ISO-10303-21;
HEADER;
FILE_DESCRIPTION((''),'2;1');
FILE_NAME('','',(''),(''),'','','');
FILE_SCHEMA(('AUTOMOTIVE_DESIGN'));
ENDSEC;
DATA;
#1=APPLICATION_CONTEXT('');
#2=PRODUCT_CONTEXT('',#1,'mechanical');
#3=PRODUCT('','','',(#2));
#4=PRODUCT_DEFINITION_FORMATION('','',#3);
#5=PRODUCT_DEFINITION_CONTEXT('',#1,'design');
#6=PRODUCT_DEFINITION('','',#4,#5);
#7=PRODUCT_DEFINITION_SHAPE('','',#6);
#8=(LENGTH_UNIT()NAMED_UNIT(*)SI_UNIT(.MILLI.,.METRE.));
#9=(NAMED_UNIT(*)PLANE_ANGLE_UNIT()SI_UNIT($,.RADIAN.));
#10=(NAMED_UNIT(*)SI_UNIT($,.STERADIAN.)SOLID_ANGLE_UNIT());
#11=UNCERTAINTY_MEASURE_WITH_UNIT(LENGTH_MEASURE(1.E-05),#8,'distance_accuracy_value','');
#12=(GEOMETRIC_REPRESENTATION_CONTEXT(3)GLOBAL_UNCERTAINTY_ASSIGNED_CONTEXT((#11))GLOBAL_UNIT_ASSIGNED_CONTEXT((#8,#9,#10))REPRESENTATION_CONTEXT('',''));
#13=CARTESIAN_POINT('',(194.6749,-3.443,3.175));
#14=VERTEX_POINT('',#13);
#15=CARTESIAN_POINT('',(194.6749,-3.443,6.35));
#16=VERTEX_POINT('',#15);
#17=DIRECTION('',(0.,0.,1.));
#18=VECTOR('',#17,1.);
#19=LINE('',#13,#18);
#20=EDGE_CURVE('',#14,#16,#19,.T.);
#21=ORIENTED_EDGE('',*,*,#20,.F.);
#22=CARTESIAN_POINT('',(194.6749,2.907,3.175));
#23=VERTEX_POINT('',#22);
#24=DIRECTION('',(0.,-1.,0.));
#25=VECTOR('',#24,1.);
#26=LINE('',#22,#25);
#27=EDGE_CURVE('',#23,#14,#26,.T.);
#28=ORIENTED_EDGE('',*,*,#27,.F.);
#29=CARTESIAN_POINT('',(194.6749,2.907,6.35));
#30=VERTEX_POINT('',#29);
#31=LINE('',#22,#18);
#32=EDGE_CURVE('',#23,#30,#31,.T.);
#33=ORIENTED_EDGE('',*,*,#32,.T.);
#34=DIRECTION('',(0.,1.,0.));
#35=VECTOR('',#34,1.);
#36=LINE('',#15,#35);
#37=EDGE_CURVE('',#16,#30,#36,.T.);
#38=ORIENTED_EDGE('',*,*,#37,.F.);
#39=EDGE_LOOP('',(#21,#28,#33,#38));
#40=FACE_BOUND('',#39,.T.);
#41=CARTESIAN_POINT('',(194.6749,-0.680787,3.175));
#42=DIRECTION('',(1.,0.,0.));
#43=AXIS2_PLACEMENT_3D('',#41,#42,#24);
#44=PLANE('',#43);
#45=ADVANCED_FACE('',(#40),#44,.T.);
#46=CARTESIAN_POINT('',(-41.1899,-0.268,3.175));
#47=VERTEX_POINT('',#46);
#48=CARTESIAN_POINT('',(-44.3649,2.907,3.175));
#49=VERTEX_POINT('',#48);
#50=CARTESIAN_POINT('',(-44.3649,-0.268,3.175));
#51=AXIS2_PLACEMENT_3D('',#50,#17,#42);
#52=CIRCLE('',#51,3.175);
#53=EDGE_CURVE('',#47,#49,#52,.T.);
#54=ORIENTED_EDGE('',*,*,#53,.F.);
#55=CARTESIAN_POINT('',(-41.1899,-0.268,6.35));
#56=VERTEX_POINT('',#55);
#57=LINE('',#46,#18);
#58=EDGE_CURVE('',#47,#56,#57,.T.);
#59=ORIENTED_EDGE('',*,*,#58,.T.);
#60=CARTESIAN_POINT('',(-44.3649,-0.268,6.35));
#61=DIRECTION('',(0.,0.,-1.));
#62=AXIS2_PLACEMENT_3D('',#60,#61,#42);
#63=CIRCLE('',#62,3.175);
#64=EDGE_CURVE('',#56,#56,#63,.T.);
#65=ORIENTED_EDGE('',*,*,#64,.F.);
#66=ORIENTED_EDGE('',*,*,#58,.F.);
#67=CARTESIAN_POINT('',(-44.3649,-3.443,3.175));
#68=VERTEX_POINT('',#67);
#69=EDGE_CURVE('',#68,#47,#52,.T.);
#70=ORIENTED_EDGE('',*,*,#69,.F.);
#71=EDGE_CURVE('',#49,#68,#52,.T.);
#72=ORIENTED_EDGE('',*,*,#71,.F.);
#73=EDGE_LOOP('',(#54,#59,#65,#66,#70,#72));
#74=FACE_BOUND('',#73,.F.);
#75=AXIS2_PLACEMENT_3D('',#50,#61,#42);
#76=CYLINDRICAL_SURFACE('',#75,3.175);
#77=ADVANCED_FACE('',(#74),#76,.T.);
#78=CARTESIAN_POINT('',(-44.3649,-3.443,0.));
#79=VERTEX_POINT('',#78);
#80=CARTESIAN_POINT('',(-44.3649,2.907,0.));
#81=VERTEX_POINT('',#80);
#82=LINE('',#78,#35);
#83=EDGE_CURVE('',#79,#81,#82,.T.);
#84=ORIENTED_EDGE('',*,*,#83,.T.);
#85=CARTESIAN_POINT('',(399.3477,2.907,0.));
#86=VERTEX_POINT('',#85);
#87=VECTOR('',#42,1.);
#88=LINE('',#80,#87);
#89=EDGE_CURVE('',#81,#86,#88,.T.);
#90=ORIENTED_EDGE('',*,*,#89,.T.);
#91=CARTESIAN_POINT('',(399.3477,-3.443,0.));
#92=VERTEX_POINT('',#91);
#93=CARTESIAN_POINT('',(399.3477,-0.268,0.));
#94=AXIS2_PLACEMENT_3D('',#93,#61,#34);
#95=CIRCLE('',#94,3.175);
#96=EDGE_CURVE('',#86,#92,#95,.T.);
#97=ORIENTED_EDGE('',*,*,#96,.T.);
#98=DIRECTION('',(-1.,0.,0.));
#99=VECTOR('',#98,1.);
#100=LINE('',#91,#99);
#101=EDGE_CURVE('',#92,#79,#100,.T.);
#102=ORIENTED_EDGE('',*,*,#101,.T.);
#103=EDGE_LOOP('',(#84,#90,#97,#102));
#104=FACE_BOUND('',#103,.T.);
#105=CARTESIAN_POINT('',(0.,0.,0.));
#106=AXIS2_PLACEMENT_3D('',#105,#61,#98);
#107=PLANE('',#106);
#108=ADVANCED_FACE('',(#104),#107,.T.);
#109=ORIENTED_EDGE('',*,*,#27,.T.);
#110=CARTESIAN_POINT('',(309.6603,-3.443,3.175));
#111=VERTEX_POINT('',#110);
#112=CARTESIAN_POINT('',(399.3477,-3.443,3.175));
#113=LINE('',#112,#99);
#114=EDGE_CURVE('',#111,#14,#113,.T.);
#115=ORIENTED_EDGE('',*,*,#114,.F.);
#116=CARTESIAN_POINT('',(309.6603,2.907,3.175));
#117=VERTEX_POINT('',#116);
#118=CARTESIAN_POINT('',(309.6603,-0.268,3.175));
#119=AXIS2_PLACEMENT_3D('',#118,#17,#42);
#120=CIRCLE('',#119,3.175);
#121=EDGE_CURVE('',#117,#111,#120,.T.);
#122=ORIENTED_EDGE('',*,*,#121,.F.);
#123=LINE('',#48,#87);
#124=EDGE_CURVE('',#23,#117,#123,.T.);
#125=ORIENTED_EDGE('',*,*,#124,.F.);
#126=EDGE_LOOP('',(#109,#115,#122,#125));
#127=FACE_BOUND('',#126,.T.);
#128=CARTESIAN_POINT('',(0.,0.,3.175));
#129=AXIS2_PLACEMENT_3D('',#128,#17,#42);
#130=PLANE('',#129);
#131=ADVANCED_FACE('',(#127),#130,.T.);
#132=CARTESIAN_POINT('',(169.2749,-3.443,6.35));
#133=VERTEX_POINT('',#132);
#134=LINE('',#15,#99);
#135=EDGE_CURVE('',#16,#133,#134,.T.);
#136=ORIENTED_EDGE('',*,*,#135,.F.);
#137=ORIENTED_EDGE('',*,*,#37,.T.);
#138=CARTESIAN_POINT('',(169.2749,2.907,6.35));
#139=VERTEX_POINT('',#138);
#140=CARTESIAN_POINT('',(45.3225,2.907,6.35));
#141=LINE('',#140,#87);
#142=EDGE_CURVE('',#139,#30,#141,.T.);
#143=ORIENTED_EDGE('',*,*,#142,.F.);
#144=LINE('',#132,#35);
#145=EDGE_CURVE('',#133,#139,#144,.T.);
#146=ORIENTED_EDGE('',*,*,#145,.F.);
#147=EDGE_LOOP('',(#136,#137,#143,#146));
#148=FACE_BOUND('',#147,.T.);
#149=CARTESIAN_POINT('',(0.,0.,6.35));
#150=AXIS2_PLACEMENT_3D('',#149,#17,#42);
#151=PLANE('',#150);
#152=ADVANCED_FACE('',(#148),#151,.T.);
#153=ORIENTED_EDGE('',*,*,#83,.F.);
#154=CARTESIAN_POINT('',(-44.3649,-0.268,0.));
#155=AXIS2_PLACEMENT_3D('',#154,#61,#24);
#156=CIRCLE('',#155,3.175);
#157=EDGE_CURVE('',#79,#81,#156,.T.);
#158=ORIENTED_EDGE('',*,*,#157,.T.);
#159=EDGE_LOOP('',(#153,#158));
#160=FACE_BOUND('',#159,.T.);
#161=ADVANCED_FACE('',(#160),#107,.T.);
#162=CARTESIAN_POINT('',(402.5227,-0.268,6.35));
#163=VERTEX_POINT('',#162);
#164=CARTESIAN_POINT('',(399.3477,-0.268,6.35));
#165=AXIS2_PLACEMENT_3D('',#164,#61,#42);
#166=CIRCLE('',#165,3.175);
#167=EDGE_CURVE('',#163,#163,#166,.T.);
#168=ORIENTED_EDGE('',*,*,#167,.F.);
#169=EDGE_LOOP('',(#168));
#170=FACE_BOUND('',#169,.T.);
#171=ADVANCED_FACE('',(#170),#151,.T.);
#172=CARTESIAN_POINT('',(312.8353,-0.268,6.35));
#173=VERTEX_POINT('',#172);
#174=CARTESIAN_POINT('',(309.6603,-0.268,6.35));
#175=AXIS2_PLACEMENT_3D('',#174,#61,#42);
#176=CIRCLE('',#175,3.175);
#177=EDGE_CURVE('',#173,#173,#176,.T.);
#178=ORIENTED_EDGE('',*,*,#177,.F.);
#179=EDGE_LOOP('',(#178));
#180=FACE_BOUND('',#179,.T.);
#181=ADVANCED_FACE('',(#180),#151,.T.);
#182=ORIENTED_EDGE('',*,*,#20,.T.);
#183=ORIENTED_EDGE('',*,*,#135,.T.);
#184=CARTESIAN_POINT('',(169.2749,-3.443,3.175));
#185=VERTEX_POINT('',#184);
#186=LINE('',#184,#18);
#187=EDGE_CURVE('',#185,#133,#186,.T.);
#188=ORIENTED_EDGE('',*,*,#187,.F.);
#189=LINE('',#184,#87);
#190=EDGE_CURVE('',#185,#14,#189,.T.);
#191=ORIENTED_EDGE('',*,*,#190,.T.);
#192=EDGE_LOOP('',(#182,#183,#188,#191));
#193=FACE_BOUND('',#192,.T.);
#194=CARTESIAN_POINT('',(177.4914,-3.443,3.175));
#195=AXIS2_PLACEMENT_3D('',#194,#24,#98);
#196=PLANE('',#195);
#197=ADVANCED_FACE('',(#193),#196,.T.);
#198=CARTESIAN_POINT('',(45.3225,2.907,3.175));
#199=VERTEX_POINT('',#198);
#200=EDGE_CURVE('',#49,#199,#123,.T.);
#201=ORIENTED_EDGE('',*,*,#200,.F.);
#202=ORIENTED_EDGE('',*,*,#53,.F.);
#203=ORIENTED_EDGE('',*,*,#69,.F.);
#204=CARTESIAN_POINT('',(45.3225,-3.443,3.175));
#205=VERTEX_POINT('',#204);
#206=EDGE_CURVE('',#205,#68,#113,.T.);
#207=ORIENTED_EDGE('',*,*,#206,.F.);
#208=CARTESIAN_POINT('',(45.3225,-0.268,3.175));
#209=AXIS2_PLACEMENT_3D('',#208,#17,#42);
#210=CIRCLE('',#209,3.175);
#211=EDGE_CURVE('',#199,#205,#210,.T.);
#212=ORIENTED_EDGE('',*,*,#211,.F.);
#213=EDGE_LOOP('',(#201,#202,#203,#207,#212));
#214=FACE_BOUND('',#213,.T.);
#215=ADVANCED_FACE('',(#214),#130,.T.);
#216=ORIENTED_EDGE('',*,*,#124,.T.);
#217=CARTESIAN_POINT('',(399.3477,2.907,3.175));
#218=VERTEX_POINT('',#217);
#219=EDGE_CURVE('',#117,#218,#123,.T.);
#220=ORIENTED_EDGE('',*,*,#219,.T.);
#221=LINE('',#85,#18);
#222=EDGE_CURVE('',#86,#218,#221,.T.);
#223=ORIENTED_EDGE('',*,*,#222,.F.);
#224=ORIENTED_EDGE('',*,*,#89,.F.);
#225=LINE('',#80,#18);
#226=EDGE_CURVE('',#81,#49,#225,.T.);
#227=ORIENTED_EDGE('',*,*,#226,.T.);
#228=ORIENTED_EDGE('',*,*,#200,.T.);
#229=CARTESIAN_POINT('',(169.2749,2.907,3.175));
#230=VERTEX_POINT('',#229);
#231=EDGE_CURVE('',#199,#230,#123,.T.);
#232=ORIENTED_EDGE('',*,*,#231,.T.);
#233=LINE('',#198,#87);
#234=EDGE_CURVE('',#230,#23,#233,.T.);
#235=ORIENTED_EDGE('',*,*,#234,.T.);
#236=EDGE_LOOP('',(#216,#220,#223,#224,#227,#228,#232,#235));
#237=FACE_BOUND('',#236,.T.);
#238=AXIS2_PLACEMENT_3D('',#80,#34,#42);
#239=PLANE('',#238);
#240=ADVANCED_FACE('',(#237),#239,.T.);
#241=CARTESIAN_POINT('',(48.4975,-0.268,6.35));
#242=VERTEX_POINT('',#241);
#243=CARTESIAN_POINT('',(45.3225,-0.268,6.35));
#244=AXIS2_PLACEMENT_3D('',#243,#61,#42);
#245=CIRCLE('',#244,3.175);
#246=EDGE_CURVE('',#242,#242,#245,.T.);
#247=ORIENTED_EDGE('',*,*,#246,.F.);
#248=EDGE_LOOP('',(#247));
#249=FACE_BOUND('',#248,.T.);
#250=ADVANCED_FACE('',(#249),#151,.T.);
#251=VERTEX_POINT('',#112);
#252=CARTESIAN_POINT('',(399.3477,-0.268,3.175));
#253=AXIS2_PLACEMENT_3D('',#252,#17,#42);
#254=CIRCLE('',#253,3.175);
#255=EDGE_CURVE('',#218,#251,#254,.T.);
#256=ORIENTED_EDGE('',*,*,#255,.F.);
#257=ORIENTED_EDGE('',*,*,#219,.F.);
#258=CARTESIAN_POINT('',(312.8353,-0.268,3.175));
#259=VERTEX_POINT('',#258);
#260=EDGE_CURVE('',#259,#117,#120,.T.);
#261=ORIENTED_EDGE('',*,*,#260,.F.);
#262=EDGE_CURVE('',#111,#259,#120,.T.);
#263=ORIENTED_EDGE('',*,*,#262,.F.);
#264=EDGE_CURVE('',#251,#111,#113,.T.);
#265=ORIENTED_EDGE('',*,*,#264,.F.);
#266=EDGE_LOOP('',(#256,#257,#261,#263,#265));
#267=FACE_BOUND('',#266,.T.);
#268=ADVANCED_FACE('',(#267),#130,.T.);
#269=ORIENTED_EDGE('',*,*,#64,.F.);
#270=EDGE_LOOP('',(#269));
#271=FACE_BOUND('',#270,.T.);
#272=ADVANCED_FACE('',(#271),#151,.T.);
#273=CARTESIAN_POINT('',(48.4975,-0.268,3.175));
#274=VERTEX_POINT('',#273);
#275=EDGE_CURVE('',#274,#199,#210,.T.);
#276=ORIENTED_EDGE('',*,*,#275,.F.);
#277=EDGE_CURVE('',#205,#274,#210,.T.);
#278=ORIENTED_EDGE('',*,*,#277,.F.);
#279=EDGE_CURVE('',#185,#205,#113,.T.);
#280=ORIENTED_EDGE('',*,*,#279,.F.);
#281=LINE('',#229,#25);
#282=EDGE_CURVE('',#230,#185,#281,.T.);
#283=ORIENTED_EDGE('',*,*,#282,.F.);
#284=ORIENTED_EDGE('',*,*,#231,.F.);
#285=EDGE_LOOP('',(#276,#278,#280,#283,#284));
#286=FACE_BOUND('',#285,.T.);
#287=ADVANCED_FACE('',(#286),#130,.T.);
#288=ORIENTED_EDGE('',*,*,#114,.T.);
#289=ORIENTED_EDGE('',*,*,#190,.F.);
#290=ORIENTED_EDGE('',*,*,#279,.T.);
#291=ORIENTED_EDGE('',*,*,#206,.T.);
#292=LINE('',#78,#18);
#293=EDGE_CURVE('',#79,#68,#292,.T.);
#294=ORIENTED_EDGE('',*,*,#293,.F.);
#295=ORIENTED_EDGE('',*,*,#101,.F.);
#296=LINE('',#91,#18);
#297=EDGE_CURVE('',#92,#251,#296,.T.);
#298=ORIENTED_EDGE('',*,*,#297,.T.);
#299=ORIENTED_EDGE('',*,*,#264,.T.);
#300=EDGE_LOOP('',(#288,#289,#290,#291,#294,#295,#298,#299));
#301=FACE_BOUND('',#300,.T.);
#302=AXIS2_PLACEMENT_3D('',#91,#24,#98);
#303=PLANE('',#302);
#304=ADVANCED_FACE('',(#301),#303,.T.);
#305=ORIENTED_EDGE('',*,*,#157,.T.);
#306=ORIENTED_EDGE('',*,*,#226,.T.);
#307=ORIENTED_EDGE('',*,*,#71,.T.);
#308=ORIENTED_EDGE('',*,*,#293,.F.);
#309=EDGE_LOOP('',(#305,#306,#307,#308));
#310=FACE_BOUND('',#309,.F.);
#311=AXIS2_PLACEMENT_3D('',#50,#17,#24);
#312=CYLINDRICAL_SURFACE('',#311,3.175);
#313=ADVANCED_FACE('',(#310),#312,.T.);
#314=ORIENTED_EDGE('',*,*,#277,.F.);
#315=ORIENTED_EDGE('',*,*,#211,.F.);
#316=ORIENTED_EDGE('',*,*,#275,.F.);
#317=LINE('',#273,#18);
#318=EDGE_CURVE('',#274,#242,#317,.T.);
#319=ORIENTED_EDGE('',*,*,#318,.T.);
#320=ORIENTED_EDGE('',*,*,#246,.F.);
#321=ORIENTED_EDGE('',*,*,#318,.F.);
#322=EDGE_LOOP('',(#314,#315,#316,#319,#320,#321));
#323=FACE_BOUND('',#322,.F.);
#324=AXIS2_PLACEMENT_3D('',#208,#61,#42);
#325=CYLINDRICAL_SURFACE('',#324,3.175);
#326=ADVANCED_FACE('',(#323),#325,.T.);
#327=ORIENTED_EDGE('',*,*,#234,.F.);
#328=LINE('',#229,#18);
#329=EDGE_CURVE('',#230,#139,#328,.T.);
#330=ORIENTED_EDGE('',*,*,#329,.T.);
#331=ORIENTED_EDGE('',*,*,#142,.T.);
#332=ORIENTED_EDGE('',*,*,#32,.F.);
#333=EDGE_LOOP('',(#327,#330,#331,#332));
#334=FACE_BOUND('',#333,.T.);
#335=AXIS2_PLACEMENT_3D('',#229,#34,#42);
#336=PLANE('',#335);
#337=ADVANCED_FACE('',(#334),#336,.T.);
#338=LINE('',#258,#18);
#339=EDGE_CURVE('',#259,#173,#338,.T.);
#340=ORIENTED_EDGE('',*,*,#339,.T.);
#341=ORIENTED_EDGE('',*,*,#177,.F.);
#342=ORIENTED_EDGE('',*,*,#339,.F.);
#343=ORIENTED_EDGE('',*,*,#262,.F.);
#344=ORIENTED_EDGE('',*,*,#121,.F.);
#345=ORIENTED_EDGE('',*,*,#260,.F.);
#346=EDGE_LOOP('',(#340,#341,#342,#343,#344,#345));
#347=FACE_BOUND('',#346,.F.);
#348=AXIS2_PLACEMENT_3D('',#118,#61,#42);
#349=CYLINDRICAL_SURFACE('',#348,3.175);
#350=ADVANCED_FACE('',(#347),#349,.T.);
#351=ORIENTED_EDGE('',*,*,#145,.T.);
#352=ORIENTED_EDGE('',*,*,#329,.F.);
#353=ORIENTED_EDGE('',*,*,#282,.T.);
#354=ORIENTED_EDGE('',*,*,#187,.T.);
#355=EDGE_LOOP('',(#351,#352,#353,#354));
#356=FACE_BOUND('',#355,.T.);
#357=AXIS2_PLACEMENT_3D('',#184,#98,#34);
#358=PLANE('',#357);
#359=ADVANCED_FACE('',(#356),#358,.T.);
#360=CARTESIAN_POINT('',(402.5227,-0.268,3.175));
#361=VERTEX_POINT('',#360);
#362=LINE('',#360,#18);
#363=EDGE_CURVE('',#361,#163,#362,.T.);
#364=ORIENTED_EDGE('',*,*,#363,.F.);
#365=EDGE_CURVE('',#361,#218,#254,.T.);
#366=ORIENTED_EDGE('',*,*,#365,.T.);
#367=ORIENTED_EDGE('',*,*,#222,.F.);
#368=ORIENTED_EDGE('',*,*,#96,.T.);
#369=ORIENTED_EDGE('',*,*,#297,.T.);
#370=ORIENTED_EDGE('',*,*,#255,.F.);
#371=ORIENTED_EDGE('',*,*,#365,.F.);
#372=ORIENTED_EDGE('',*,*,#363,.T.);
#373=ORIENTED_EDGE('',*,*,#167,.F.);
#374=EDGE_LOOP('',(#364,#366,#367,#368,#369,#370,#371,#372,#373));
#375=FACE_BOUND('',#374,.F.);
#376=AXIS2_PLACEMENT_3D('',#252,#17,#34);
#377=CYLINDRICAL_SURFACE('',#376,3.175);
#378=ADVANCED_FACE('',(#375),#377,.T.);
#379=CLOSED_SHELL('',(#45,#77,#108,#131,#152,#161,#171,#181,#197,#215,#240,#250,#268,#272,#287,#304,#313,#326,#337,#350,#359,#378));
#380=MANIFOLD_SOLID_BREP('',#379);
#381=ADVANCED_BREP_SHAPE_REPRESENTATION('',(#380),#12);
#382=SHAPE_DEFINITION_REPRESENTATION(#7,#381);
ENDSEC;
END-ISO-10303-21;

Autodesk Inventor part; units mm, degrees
ref_plane "YZ Plane" through (0, 0, 0) normal (1, 0, 0) x (0, 1, 0)
ref_plane "XZ Plane" through (0, 0, 0) normal (0, 1, 0) x (-1, 0, 0)
ref_plane "XY Plane" through (0, 0, 0) normal (0, 0, 1) x (1, 0, 0)
sketch "Sketch1" plane through (0, 0, 0) normal (0, 0, 1) x (1, 0, 0)
  line L0 (-44.3649, 2.907) -> (399.3477, 2.907)
  line L1 (399.3477, 2.907) -> (399.3477, -3.443)
  line L2 (399.3477, -3.443) -> (-44.3649, -3.443)
  line L3 (-44.3649, -3.443) -> (-44.3649, 2.907)
  point P0 (0, 0)
  dimension "d0" = 443.7126
  dimension "d1" = 6.35
extrude "Extrusion1" add sketch "Sketch1" along normal blind 3.175
sketch "Sketch2" plane through (0, 0, 3.175) normal (0, 0, 1) x (1, 0, 0)
  line L0 (399.3477, 2.907) -> (399.3477, -3.443) projected
  line L1 (-44.3649, 2.907) -> (399.3477, 2.907) projected
  line L2 (-44.3649, -3.443) -> (-44.3649, 2.907) projected
  line L3 (-44.3649, 2.907) -> (-44.3649, -0.268)
  line L4 (-44.3649, -0.268) -> (399.3477, -0.268)
  line L5 (399.3477, -0.268) -> (309.6603, -0.268)
  line L6 (-44.3649, -0.268) -> (45.3225, -0.268)
  circle A0 centre (-44.3649, -0.268) radius 3.175
  circle A1 centre (45.3225, -0.268) radius 3.175
  circle A2 centre (309.6603, -0.268) radius 3.175
  circle A3 centre (399.3477, -0.268) radius 3.175
  point P0 (0, 0)
  dimension "d4" = 3.175
  dimension "d5" = 89.6874
  dimension "d6" = 89.6874
extrude "Extrusion2" add sketch "Sketch2" along normal blind 3.175 contours A3 L0 | L0 L4 A3 | L0 A3 L4 | A2 L4 | A1 L4 | A2 L4 | A0 L4 L2 | L2 A0 | A1 L4 | L4 A0 L2
sketch "Sketch3" plane through (0, 0, 3.175) normal (0, 0, -1) x (-1, 0, 0)
  line L0 (-399.3477, 2.907) -> (-399.3477, -3.443) projected
  arc A0 (-399.3477, 2.907) -> (-399.3477, -3.443) centre (-399.3477, -0.268) ccw projected
  point P0 (0, 0)
extrude "Extrusion3" add sketch "Sketch3" along normal blind 3.175
sketch "Sketch4" plane through (0, 0, 3.175) normal (0, 0, -1) x (-1, 0, 0)
  line L0 (44.3649, -3.443) -> (44.3649, 2.907) projected
  arc A0 (44.3649, -3.443) -> (44.3649, 2.907) centre (44.3649, -0.268) ccw projected
  point P0 (0, 0)
extrude "Extrusion4" add sketch "Sketch4" along normal blind 3.175
sketch "Sketch5" plane through (0, 0, 3.175) normal (0, 0, 1) x (1, 0, 0)
  arc A0 (45.3225, -3.443) -> (45.3225, 2.907) centre (45.3225, -0.268) ccw projected
  line L0 (309.6603, -3.443) -> (45.3225, -3.443) projected
  arc A1 (309.6603, 2.907) -> (309.6603, -3.443) centre (309.6603, -0.268) ccw projected
  line L1 (45.3225, 2.907) -> (309.6603, 2.907) projected
  line L2 (309.6603, -3.443) -> (45.3225, 2.907)
  line L3 (45.3225, -3.443) -> (309.6603, 2.907)
  line L4 (177.4914, -0.268) -> (177.4914, -3.443)
  line L5 (181.9749, -3.443) -> (194.6749, -3.443)
  line L6 (194.6749, -3.443) -> (169.2749, -3.443)
  line L7 (169.2749, -3.443) -> (169.2749, 2.907)
  line L8 (169.2749, 2.907) -> (194.6749, 2.907)
  line L9 (194.6749, 2.907) -> (194.6749, -3.443)
  point P0 (0, 0)
  dimension "d13" = 12.7
  dimension "d14" = 25.4
extrude "Extrusion5" add sketch "Sketch5" along normal blind 3.175 contours L7 L3 L4 L0 | L7 L2 L3 | L1 L9 L3 L2 L7 | L4 L2 L9 L0 | L3 L9 L2
properties part number "connection"
